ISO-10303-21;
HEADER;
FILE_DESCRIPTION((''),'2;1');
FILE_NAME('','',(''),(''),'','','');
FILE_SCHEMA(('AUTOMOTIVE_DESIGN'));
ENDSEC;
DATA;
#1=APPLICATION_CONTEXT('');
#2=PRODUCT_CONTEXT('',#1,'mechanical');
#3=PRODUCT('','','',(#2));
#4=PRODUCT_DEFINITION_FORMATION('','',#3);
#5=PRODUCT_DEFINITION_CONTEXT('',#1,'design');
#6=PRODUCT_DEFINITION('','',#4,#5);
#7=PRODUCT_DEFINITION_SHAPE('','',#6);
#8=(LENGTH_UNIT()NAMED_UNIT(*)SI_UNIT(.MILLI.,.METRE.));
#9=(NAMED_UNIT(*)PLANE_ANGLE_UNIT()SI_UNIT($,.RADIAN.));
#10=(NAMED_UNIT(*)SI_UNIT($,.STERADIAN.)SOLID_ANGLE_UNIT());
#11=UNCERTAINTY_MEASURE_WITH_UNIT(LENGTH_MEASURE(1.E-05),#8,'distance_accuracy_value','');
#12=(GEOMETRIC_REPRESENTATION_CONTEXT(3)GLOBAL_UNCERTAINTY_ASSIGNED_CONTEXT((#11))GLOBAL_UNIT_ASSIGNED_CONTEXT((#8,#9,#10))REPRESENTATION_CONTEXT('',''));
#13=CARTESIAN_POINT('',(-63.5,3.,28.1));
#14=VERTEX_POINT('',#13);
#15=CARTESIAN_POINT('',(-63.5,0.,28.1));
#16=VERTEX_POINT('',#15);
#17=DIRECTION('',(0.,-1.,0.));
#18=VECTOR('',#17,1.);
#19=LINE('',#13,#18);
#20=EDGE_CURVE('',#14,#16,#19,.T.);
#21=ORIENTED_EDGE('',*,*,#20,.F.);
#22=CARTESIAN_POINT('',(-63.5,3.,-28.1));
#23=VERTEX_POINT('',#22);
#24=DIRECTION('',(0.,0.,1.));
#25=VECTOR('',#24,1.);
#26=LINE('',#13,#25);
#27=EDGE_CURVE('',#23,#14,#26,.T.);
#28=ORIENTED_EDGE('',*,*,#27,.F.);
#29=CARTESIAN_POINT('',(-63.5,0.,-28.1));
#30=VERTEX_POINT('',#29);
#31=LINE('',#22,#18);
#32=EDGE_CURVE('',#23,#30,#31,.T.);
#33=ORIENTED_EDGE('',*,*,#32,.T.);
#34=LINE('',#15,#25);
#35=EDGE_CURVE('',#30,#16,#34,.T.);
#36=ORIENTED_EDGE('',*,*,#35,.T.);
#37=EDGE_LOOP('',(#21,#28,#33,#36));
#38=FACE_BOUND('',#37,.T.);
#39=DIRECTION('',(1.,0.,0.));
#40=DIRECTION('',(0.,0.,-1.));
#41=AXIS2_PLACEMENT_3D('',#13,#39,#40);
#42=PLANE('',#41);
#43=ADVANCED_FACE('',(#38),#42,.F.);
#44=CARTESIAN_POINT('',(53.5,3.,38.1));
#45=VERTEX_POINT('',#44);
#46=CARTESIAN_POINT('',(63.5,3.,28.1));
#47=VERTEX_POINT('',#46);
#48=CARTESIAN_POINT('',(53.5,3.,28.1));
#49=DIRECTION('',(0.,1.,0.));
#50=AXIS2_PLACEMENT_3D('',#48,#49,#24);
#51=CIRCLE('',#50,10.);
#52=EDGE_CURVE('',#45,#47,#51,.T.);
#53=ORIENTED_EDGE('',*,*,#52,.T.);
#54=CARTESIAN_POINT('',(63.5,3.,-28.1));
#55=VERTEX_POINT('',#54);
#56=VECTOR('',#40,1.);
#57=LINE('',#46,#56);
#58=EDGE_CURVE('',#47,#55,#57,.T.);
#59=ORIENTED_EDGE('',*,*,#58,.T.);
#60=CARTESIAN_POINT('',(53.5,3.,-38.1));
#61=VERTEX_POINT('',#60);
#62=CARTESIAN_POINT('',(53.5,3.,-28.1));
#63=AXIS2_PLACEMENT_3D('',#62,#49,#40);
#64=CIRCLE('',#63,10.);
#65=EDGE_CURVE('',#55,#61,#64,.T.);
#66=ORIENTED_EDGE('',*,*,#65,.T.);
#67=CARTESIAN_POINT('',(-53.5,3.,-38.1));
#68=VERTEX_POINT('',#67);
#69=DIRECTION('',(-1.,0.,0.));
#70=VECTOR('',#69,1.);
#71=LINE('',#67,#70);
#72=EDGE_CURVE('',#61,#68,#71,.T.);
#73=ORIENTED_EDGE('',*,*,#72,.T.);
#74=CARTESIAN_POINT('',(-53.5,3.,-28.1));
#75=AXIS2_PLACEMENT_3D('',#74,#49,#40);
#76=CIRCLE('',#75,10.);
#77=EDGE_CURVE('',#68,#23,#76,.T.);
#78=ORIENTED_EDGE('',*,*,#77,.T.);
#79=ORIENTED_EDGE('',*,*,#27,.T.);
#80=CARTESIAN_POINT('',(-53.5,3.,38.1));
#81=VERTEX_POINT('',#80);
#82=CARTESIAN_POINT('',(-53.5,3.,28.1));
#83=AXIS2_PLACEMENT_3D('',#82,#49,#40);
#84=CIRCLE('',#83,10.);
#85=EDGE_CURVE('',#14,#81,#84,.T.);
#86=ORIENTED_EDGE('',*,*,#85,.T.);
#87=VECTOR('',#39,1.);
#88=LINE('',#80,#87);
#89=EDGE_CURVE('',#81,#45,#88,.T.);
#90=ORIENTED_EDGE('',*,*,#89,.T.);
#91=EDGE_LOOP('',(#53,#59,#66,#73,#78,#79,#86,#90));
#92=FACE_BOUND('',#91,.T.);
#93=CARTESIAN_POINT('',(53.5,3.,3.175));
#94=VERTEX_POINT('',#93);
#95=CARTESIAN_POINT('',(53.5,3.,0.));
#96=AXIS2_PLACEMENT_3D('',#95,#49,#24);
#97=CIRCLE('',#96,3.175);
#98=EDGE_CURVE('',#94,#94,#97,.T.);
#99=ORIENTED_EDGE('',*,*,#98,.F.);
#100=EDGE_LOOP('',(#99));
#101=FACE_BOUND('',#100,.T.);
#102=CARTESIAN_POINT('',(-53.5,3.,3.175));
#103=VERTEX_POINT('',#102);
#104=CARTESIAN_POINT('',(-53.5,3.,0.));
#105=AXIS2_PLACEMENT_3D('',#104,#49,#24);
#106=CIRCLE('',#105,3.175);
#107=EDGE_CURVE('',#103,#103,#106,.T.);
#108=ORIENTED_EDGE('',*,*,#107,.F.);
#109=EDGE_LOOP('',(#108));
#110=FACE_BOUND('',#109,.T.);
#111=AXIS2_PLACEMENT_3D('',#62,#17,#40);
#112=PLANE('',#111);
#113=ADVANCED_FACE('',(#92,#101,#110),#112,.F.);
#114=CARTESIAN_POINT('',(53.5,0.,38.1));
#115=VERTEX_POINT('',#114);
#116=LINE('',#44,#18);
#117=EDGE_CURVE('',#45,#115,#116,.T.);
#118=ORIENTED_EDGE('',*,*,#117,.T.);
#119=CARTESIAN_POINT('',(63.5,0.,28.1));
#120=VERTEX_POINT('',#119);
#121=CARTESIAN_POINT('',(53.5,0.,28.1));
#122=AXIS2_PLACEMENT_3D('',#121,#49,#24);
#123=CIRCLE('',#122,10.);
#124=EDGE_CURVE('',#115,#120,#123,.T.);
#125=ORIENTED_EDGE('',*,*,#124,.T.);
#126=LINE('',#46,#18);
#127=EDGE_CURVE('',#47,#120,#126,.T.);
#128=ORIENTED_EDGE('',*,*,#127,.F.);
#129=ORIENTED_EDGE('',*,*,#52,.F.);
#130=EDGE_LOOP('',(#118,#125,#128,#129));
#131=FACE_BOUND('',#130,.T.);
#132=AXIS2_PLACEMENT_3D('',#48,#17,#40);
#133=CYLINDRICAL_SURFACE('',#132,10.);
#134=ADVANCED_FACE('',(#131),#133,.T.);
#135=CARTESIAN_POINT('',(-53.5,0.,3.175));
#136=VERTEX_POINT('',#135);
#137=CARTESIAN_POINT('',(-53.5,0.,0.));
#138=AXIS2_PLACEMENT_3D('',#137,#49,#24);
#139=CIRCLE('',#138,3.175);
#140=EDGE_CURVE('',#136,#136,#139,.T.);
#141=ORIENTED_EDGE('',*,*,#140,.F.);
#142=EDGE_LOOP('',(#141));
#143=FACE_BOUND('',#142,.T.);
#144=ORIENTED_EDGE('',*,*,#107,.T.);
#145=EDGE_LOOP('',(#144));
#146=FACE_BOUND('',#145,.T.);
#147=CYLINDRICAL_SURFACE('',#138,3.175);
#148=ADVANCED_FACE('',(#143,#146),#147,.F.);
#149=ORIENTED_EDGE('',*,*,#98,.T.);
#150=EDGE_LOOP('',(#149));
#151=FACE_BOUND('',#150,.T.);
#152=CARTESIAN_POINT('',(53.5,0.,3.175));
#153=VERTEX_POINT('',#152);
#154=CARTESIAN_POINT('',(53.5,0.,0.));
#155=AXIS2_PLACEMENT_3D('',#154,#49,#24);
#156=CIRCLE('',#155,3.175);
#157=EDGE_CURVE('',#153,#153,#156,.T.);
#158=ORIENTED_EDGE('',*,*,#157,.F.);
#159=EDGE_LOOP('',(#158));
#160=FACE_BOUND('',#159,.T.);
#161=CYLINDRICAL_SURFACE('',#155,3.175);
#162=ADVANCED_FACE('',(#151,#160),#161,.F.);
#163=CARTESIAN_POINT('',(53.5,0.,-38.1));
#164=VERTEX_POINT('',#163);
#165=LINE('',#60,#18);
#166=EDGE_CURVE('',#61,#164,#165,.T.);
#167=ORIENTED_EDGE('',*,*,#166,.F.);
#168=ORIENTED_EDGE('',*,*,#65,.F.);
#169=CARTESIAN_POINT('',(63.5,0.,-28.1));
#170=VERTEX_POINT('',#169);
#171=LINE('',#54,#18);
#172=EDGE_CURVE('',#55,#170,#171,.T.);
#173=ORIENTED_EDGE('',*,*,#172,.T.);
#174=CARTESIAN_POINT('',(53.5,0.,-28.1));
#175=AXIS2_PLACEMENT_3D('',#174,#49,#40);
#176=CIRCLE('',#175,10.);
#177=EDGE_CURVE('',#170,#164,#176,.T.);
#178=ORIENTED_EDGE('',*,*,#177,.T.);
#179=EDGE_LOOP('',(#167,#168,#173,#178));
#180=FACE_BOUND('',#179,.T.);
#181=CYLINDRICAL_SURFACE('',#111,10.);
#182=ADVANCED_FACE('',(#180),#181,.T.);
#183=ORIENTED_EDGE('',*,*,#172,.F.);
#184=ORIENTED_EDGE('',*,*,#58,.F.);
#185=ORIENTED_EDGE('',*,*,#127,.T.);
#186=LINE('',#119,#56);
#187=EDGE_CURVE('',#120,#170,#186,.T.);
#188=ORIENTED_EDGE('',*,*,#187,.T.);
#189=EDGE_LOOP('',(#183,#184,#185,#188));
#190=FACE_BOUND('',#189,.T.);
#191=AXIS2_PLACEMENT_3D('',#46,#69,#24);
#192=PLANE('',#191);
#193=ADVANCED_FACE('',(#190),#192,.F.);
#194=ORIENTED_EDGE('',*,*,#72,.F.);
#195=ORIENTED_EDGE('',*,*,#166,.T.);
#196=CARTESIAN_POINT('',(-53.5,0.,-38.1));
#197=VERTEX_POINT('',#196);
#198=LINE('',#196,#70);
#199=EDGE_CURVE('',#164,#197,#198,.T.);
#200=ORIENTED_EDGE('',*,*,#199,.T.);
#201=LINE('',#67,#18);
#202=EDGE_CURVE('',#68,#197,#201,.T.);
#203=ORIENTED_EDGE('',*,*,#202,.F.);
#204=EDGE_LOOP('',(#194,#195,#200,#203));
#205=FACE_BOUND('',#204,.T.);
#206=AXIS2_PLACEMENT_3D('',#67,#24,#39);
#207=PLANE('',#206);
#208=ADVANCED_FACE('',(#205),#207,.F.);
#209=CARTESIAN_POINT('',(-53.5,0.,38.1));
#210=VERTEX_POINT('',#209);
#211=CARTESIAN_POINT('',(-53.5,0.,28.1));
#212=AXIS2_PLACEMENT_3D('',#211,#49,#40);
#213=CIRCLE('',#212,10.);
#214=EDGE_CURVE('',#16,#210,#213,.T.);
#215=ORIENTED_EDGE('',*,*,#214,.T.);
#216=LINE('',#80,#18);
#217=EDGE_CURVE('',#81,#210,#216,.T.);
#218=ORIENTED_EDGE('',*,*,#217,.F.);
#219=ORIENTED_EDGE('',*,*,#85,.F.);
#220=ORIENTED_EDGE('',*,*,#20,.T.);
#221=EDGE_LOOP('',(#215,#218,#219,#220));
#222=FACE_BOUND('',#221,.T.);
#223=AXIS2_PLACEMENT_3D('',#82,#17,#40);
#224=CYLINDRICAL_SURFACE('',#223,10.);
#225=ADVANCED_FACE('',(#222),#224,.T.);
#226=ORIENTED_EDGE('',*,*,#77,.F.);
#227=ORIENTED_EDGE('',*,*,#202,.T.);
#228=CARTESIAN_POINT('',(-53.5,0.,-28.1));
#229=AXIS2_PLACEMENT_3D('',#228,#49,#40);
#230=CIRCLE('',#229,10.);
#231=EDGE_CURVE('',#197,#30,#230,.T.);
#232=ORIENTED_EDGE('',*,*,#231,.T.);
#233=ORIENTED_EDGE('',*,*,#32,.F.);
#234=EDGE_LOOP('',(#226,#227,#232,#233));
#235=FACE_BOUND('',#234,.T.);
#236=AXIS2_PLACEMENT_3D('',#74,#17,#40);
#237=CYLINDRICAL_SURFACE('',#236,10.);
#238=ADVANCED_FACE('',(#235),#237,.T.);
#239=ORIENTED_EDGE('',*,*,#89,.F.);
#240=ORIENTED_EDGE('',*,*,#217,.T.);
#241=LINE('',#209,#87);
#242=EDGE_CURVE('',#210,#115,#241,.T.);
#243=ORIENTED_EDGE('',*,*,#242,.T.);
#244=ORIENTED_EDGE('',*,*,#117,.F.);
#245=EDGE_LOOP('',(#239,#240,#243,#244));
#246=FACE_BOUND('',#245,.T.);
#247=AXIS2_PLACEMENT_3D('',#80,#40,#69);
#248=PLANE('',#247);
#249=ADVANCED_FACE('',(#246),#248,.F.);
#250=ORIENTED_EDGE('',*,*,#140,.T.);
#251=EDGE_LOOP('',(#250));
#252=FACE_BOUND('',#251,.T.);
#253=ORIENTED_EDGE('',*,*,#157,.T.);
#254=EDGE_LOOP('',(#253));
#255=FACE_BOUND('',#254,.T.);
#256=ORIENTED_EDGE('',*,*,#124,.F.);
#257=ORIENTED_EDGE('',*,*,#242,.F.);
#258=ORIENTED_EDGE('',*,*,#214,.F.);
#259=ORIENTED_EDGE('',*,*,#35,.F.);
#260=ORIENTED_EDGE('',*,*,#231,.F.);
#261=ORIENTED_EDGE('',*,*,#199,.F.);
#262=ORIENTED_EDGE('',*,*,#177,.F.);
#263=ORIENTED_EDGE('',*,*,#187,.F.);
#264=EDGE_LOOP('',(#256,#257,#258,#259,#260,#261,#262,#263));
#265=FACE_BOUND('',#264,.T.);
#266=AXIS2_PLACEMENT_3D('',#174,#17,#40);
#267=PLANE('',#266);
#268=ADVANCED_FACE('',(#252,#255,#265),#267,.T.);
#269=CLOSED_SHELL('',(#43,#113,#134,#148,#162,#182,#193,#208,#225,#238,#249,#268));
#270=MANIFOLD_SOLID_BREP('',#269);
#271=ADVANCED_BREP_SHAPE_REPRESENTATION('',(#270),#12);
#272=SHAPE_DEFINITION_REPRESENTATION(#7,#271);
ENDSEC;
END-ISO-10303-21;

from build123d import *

# Parameters (mm, degrees)
BOSS_EXTRUDE1_DEPTH = 3
SKETCH2_R           = 3.175
CUT_EXTRUDE1_DEPTH  = 3


with BuildPart() as part:
    # Sketch1 → Boss-Extrude1 (new body)
    with BuildSketch(Plane(origin=(0, 0, 0), x_dir=(1, 0, 0), z_dir=(0, 1, 0))):
        with BuildLine():
            Line((-53.5, -38.1), (53.5, -38.1))
            ThreePointArc((53.5, -38.1), (60.571067812, -35.171067812), (63.5, -28.1))
            Line((63.5, -28.1), (63.5, 28.1))
            ThreePointArc((63.5, 28.1), (60.571067812, 35.171067812), (53.5, 38.1))
            Line((53.5, 38.1), (-53.5, 38.1))
            ThreePointArc((-53.5, 38.1), (-60.571067812, 35.171067812), (-63.5, 28.1))
            Line((-63.5, 28.1), (-63.5, -28.1))
            ThreePointArc((-63.5, -28.1), (-60.571067812, -35.171067812), (-53.5, -38.1))
        make_face()
    extrude(amount=BOSS_EXTRUDE1_DEPTH)

    # Sketch2 → Cut-Extrude1 (cut)
    with BuildSketch(Plane(origin=(0, 3, 0), x_dir=(1, 0, 0), z_dir=(0, 1, 0))):
        with Locations(Location((-53.5, 0, 0), (0, 0, 270))):
            Circle(SKETCH2_R)
        with Locations(Location((53.5, 0, 0), (0, 0, 270))):
            Circle(SKETCH2_R)
    extrude(amount=-CUT_EXTRUDE1_DEPTH, mode=Mode.SUBTRACT)


solid = part.part
